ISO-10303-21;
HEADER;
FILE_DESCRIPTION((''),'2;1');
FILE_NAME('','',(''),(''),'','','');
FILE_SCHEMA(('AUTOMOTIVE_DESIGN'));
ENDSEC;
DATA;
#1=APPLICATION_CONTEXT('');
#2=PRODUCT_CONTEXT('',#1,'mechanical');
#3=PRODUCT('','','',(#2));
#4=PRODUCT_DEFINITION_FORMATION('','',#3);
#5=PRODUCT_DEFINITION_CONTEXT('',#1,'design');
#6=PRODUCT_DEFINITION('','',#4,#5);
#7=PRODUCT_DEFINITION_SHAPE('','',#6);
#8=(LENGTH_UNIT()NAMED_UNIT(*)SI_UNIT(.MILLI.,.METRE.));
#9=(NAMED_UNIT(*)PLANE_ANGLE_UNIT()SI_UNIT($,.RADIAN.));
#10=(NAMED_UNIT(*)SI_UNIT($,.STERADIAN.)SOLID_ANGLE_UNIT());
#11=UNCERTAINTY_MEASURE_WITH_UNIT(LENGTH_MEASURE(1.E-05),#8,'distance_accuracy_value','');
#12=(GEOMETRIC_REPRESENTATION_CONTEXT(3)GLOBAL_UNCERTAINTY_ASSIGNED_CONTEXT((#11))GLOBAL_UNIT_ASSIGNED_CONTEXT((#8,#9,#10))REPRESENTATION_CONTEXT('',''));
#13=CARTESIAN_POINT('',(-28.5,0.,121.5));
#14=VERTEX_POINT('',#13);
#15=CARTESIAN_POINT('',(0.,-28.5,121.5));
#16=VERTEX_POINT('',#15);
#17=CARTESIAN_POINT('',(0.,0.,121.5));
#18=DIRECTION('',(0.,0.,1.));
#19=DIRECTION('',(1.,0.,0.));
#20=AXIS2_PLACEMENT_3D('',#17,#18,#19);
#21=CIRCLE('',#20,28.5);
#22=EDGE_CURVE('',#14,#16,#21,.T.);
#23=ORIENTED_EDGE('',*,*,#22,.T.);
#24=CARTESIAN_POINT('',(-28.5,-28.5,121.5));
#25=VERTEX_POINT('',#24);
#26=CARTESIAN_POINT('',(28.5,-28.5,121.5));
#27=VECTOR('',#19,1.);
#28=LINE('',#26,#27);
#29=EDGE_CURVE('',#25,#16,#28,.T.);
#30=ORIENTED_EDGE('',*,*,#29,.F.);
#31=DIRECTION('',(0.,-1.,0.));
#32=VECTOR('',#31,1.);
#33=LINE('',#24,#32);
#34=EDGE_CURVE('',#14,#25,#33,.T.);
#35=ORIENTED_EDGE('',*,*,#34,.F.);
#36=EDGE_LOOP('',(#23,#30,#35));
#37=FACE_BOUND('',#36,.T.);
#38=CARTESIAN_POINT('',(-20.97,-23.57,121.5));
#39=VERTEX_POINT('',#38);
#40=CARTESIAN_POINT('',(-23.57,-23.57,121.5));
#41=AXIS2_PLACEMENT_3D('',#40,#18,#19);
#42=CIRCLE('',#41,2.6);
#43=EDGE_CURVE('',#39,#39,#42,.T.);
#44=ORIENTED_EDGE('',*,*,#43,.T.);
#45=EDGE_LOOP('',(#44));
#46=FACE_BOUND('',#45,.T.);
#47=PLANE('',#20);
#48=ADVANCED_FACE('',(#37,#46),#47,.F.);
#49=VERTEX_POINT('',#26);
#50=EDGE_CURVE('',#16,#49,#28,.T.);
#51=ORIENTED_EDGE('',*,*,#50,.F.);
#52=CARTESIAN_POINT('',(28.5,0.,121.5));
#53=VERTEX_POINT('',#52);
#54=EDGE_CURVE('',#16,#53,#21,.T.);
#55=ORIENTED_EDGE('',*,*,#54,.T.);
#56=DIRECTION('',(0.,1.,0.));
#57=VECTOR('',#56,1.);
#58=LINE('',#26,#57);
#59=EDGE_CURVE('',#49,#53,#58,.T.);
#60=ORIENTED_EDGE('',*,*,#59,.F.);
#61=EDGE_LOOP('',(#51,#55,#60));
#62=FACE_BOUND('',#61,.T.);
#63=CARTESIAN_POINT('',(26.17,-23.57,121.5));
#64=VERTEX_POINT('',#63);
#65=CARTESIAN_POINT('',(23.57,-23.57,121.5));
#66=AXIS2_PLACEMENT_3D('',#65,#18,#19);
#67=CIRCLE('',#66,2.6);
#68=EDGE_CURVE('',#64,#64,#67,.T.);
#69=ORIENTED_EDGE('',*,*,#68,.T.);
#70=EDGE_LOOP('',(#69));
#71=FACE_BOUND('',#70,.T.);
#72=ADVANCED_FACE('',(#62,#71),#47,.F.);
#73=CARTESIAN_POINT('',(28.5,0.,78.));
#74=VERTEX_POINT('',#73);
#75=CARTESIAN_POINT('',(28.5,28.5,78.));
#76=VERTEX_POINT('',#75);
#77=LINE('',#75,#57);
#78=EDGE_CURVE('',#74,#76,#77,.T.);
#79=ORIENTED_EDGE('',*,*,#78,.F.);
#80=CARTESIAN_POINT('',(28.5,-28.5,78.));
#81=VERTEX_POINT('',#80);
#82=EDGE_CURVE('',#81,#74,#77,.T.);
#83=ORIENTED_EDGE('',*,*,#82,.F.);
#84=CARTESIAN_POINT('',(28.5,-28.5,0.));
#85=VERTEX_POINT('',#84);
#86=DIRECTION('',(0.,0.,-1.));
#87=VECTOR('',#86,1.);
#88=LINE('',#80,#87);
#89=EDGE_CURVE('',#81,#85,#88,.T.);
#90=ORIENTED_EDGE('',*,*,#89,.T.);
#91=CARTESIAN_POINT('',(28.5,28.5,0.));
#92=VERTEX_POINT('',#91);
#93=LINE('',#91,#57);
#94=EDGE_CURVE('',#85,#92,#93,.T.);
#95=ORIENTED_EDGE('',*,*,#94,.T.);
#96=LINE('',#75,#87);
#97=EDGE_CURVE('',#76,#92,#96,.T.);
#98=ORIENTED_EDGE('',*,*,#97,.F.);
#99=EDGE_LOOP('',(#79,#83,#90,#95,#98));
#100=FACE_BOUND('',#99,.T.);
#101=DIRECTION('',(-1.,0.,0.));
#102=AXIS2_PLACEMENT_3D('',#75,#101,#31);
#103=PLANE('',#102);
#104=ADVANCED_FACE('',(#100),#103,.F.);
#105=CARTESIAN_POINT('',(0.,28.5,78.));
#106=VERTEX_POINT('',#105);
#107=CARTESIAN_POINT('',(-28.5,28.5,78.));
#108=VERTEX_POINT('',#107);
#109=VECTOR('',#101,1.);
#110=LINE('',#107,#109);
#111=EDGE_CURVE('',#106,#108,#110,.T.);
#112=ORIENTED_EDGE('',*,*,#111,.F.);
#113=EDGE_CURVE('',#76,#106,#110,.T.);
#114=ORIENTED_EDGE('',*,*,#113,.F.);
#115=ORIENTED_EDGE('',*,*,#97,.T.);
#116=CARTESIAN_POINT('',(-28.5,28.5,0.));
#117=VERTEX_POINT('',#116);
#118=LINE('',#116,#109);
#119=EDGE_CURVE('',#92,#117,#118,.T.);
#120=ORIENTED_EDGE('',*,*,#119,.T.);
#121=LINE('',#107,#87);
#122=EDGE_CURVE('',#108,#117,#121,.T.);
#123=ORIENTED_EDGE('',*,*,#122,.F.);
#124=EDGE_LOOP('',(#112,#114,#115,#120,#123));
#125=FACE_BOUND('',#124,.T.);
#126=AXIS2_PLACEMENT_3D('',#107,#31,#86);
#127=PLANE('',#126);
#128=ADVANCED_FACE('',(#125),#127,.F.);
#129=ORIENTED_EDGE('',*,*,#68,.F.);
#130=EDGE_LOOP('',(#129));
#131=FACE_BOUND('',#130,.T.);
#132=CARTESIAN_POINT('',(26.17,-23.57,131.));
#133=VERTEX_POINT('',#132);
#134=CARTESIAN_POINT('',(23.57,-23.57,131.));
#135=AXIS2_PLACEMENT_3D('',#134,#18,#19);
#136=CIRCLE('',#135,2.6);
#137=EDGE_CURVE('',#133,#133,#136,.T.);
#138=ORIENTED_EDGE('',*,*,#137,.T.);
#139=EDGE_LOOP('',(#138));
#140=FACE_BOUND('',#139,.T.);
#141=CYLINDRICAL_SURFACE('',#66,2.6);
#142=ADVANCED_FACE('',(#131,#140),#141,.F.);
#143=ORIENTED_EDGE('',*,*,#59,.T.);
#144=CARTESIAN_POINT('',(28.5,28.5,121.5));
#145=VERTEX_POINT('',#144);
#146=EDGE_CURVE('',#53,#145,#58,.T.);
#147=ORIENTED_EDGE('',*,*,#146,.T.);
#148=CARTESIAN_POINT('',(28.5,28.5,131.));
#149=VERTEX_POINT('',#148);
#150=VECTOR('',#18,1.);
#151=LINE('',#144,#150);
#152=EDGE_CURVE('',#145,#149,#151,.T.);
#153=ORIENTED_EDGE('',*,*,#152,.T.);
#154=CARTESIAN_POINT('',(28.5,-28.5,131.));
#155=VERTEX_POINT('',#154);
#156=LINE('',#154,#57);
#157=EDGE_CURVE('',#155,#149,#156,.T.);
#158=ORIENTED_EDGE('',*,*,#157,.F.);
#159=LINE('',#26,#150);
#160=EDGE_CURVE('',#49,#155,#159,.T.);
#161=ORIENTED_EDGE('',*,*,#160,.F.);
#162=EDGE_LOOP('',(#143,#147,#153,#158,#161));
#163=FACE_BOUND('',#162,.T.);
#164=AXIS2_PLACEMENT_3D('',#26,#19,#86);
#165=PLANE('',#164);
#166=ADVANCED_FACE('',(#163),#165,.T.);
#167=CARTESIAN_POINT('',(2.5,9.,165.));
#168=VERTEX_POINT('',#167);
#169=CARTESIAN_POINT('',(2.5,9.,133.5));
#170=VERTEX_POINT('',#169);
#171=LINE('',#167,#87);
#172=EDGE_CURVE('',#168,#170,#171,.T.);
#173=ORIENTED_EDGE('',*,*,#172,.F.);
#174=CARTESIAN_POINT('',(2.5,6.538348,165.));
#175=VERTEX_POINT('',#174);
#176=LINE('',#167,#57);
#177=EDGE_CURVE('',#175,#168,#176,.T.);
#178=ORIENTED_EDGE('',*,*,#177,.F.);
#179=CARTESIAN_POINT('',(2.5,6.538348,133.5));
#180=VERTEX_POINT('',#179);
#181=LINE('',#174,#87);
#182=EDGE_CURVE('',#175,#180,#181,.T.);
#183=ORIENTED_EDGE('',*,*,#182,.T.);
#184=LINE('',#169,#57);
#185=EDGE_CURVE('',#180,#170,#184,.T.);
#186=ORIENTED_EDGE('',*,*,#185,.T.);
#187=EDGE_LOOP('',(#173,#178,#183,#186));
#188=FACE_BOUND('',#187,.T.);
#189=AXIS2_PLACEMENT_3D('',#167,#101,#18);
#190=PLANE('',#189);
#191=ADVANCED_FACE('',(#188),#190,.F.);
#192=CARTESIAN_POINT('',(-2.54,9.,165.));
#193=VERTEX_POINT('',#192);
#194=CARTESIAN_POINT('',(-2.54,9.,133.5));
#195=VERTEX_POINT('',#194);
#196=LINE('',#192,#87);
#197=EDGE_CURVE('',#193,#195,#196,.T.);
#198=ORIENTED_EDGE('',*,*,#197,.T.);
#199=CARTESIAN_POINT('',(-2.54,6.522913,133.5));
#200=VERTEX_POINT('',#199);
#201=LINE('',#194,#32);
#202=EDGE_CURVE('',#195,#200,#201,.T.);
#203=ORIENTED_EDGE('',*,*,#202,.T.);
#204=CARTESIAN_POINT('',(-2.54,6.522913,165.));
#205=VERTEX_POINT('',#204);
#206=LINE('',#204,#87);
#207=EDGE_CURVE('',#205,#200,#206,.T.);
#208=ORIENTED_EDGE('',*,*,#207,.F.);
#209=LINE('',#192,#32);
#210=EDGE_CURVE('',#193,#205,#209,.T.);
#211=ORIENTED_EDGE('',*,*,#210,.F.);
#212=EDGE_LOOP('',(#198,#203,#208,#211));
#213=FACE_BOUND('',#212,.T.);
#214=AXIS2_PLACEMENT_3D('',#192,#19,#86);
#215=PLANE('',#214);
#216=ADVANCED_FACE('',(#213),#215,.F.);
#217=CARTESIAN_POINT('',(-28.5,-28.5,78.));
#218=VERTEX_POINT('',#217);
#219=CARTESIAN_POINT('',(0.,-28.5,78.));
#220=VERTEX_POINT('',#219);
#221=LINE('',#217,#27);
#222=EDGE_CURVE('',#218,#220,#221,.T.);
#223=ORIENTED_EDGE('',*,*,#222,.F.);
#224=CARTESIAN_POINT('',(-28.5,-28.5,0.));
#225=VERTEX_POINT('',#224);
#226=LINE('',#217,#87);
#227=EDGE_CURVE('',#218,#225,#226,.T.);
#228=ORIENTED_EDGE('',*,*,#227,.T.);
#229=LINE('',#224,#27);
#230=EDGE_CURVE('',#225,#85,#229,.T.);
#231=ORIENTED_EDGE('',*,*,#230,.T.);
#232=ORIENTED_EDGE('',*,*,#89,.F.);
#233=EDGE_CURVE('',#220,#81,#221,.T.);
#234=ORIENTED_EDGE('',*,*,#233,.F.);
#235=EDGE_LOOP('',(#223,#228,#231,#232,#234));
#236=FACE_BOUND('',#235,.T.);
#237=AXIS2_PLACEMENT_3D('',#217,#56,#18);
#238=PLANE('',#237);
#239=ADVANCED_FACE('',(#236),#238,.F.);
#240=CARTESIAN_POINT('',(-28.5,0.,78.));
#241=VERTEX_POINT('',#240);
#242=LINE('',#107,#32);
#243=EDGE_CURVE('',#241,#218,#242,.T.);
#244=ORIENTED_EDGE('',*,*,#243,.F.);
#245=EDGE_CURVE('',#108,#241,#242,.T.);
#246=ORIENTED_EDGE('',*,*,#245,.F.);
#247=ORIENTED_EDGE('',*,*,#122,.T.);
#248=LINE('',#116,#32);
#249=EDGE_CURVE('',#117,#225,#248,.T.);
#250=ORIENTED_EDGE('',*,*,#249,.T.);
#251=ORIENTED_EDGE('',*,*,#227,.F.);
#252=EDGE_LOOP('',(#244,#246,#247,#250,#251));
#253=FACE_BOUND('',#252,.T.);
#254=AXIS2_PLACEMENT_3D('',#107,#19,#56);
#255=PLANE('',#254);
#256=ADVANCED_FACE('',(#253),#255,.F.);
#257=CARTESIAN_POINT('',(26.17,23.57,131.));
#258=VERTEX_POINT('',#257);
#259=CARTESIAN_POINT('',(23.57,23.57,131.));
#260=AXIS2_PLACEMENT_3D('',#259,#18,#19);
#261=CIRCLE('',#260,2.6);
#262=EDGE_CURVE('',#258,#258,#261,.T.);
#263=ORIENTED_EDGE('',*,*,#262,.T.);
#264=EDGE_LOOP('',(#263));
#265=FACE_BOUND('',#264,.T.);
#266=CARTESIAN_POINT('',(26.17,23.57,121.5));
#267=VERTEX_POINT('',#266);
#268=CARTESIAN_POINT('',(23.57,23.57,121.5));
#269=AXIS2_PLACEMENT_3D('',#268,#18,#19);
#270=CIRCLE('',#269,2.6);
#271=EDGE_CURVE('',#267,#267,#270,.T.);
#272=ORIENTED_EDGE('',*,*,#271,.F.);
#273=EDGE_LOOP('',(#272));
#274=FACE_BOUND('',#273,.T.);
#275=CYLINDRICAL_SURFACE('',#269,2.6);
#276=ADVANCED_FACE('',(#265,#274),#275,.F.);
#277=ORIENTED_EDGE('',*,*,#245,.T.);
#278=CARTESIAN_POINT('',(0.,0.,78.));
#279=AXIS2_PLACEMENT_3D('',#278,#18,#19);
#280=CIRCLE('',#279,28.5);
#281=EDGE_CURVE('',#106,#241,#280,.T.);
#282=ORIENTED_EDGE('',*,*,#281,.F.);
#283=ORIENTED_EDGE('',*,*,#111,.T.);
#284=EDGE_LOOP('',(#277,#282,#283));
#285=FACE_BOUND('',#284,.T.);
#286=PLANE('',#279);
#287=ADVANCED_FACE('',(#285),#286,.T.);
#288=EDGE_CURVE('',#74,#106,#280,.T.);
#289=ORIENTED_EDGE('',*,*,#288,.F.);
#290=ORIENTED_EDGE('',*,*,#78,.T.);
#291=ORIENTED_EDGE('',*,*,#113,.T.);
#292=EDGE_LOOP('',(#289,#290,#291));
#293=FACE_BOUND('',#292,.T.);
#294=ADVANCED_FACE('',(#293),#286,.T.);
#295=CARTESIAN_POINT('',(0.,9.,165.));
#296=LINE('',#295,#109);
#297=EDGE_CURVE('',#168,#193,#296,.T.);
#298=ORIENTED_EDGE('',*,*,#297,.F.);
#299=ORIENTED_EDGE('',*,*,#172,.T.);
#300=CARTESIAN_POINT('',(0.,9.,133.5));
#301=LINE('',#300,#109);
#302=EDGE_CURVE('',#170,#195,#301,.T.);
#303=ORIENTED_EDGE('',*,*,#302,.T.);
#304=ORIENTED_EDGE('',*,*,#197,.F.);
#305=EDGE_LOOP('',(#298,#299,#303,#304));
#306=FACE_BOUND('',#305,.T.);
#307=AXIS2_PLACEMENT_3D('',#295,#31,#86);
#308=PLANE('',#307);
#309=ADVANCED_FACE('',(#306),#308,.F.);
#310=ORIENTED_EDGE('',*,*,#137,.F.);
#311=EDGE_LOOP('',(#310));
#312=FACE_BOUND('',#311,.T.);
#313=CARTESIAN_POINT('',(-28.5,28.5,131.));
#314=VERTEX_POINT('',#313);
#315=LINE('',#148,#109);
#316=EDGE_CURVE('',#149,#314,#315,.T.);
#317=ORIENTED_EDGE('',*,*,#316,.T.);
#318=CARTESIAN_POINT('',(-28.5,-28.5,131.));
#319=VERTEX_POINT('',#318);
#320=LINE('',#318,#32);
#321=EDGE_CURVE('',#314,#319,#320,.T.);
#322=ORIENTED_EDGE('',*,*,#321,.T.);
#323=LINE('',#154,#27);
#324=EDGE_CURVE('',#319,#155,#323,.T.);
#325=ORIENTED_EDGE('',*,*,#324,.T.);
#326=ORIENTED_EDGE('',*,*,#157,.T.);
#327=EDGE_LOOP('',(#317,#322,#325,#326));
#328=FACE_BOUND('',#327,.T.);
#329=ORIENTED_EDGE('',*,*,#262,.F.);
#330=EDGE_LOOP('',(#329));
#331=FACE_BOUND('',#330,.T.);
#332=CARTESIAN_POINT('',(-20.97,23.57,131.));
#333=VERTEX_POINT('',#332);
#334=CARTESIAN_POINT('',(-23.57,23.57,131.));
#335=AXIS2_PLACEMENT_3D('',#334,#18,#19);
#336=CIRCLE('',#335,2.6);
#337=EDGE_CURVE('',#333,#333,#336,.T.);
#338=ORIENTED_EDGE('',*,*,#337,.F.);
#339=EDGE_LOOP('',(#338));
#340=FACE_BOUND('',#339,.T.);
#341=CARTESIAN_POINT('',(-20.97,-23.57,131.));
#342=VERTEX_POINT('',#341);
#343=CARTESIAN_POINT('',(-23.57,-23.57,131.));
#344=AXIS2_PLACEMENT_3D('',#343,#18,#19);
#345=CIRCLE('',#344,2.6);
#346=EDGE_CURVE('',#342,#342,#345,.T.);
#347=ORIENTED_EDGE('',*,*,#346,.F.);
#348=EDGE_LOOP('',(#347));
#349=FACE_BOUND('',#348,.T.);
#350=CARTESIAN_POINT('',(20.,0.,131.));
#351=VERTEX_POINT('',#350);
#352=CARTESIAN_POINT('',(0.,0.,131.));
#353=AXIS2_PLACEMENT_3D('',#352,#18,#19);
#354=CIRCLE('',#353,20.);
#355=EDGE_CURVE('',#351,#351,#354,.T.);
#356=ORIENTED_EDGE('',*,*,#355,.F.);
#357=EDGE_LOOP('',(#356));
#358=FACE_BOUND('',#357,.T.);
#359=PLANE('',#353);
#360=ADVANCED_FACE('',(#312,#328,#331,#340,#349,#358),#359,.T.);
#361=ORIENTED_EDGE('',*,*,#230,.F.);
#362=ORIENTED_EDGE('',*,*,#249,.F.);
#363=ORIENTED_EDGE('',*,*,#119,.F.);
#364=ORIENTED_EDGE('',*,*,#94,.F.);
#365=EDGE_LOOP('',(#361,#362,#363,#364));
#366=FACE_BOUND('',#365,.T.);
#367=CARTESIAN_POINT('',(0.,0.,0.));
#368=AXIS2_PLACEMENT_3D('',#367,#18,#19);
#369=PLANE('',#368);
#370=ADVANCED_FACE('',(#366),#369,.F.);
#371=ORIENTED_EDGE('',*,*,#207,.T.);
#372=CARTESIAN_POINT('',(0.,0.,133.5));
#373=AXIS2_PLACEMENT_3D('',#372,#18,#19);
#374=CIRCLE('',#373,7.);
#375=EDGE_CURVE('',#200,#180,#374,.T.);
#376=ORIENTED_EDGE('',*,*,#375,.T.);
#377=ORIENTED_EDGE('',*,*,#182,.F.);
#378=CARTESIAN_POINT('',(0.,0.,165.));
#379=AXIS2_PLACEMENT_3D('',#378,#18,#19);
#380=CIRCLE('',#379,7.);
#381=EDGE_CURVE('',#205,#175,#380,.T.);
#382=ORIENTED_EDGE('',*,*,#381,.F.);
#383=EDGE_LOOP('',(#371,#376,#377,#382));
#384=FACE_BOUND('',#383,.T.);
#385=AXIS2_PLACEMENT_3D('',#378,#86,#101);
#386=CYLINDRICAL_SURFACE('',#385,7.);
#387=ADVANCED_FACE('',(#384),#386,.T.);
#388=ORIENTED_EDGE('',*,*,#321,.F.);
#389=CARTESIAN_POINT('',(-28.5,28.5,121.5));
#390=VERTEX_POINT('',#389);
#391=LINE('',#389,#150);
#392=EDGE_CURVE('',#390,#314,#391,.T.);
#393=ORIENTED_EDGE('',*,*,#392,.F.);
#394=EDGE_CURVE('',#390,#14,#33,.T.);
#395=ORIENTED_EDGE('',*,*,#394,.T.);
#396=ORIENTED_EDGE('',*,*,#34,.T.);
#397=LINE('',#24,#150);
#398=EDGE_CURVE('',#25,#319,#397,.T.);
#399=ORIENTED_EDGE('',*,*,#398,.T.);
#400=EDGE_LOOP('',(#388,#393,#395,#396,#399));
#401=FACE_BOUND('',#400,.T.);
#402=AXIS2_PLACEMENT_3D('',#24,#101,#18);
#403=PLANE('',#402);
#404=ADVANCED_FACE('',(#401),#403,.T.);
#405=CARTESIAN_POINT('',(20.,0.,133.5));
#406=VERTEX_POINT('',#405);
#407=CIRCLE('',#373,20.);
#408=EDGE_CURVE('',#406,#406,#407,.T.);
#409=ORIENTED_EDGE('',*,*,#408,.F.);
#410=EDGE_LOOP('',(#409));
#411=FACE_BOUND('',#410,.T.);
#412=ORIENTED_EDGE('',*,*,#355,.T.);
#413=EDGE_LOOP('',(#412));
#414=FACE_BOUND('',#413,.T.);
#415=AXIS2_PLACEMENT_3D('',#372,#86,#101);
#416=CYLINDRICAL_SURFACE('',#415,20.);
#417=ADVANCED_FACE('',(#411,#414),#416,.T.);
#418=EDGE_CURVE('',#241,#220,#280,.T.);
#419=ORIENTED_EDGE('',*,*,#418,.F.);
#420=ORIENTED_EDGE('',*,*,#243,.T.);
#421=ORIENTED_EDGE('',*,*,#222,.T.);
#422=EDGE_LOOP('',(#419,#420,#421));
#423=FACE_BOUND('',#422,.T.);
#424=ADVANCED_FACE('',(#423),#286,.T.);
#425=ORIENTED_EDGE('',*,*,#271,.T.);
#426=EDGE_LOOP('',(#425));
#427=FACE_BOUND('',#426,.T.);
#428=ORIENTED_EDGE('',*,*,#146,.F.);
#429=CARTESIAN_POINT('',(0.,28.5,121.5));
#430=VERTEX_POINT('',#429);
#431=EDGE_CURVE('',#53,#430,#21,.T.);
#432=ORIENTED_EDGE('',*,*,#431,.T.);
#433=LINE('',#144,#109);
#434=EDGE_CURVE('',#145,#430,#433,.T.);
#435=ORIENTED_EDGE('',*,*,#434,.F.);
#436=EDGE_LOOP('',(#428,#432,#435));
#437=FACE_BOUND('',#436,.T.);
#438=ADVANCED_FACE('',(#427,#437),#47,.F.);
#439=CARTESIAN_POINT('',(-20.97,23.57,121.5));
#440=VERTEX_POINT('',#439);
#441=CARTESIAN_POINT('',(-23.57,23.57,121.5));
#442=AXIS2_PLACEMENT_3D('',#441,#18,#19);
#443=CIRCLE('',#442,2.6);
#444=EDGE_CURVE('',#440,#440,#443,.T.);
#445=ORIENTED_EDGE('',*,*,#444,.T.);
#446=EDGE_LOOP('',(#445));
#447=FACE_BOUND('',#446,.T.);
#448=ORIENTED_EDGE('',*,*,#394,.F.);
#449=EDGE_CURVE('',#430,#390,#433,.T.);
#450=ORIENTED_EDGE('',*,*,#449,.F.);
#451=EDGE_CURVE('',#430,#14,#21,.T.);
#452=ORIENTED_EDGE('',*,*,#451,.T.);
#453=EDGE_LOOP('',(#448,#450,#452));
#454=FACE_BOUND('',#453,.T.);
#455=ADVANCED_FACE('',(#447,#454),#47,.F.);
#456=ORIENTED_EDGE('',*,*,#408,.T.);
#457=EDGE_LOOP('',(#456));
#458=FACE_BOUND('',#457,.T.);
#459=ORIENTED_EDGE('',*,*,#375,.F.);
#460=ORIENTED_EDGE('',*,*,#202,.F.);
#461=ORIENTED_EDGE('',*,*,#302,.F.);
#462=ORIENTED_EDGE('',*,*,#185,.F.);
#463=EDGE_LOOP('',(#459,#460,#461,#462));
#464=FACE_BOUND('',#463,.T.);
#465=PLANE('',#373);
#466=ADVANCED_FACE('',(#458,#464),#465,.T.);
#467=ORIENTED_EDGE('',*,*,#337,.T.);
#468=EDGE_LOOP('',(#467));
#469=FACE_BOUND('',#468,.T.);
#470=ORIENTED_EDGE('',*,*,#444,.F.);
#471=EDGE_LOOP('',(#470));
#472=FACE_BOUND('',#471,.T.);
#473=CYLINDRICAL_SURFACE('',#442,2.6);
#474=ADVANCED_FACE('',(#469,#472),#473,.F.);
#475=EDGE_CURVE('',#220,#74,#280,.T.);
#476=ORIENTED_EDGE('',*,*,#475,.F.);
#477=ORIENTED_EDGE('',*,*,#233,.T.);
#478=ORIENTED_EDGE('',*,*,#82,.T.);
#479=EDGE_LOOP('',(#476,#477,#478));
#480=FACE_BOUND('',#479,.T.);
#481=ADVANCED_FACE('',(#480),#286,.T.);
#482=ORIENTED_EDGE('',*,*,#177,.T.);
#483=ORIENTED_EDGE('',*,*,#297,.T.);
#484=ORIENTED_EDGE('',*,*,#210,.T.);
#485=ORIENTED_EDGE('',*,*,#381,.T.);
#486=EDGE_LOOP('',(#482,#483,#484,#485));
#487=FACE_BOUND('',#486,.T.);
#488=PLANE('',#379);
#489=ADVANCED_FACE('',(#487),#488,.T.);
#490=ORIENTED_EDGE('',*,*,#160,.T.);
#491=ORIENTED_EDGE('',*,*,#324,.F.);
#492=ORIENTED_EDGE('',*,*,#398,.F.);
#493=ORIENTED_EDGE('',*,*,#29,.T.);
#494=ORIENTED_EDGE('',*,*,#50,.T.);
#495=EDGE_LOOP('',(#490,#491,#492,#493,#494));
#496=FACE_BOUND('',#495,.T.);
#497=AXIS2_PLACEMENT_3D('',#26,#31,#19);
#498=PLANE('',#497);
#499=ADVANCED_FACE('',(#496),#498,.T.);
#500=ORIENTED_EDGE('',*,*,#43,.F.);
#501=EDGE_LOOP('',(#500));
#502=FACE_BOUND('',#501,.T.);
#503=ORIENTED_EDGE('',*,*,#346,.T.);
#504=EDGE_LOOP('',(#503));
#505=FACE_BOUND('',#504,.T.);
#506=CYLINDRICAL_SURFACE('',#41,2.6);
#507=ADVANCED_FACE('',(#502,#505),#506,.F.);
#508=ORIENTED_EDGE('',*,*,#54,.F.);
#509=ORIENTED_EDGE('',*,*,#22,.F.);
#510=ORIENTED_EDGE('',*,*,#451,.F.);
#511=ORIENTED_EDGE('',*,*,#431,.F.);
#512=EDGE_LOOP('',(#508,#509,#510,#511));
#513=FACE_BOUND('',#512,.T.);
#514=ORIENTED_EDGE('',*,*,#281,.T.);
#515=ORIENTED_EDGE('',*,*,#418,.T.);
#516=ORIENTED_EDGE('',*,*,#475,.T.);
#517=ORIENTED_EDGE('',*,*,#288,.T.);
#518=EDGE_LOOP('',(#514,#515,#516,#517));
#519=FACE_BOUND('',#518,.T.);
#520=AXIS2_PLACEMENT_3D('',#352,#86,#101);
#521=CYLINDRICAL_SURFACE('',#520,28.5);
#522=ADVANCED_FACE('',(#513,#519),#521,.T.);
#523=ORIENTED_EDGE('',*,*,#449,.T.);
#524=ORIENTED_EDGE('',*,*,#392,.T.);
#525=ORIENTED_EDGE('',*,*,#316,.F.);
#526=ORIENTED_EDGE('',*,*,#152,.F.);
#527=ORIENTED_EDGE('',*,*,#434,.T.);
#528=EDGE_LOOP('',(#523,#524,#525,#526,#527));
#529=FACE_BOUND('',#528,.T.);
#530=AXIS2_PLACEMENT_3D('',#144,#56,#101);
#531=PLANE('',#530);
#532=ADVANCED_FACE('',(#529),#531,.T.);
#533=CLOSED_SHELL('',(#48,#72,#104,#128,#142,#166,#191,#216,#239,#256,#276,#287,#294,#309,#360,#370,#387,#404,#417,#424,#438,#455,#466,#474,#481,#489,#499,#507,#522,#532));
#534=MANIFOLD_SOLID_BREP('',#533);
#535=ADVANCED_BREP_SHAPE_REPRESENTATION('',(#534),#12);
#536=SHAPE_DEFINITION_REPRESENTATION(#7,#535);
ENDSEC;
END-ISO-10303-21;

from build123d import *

# Parameters (mm, degrees)
SKETCH_1_W          = 57
SKETCH_1_H          = 57
EXTRUDE_1_DEPTH     = 78
SKETCH_2_R          = 28.5
EXTRUDE_2_DEPTH     = 53
SKETCH_3_R          = 20
EXTRUDE_3_DEPTH     = 2.5
EXTRUDE_4_DEPTH     = 31.5
SKETCH_5_R          = 2
CUT_EXTRUDE_1_DEPTH = 4
SKETCH_6_W          = 57
SKETCH_6_H          = 57
SKETCH_6_R          = 2.6
EXTRUDE_5_DEPTH     = 9.5


with BuildPart() as part:
    # 草图1 → 凸台-拉伸1 (new body)
    with BuildSketch(Plane.XY):
        Rectangle(SKETCH_1_W, SKETCH_1_H)
    extrude(amount=EXTRUDE_1_DEPTH)

    # 草图2 → 凸台-拉伸2 (add)
    with BuildSketch(Plane.XY.offset(78)):
        Circle(SKETCH_2_R)
    extrude(amount=EXTRUDE_2_DEPTH)

    # 草图3 → 凸台-拉伸3 (add)
    with BuildSketch(Plane.XY.offset(131)):
        Circle(SKETCH_3_R)
    extrude(amount=EXTRUDE_3_DEPTH)

    # 草图4 → 凸台-拉伸4 (add)
    with BuildSketch(Plane.XY.offset(133.5)):
        with BuildLine():
            Line((0, 9), (2.5, 9))
            Line((2.5, 9), (2.5, 6.538348415))
            ThreePointArc((2.5, 6.538348415), (0.021437338, -6.999967174), (-2.54, 6.522913459))
            Line((-2.54, 6.522913459), (-2.54, 9))
            Line((-2.54, 9), (0, 9))
        make_face()
    extrude(amount=EXTRUDE_4_DEPTH)

    # 草图5 → 切除-拉伸1 (cut)
    with BuildSketch(Plane.XY.offset(131)):
        with Locations((0, -17.5)):
            Circle(SKETCH_5_R)
        with Locations((-17.5, 0)):
            Circle(SKETCH_5_R)
        with Locations((0, 17.5)):
            Circle(SKETCH_5_R)
        with Locations((17.5, 0)):
            Circle(SKETCH_5_R)
    extrude(amount=-CUT_EXTRUDE_1_DEPTH, mode=Mode.SUBTRACT)

    # 草图6 → 凸台-拉伸5 (add)
    with BuildSketch(Plane.XY.offset(131)):
        Rectangle(SKETCH_6_W, SKETCH_6_H)
        with Locations((-23.57, 23.57)):
            Circle(SKETCH_6_R, mode=Mode.SUBTRACT)
        with Locations((23.57, 23.57)):
            Circle(SKETCH_6_R, mode=Mode.SUBTRACT)
        with Locations((23.57, -23.57)):
            Circle(SKETCH_6_R, mode=Mode.SUBTRACT)
        with Locations((-23.57, -23.57)):
            Circle(SKETCH_6_R, mode=Mode.SUBTRACT)
    extrude(amount=-EXTRUDE_5_DEPTH)


solid = part.part
